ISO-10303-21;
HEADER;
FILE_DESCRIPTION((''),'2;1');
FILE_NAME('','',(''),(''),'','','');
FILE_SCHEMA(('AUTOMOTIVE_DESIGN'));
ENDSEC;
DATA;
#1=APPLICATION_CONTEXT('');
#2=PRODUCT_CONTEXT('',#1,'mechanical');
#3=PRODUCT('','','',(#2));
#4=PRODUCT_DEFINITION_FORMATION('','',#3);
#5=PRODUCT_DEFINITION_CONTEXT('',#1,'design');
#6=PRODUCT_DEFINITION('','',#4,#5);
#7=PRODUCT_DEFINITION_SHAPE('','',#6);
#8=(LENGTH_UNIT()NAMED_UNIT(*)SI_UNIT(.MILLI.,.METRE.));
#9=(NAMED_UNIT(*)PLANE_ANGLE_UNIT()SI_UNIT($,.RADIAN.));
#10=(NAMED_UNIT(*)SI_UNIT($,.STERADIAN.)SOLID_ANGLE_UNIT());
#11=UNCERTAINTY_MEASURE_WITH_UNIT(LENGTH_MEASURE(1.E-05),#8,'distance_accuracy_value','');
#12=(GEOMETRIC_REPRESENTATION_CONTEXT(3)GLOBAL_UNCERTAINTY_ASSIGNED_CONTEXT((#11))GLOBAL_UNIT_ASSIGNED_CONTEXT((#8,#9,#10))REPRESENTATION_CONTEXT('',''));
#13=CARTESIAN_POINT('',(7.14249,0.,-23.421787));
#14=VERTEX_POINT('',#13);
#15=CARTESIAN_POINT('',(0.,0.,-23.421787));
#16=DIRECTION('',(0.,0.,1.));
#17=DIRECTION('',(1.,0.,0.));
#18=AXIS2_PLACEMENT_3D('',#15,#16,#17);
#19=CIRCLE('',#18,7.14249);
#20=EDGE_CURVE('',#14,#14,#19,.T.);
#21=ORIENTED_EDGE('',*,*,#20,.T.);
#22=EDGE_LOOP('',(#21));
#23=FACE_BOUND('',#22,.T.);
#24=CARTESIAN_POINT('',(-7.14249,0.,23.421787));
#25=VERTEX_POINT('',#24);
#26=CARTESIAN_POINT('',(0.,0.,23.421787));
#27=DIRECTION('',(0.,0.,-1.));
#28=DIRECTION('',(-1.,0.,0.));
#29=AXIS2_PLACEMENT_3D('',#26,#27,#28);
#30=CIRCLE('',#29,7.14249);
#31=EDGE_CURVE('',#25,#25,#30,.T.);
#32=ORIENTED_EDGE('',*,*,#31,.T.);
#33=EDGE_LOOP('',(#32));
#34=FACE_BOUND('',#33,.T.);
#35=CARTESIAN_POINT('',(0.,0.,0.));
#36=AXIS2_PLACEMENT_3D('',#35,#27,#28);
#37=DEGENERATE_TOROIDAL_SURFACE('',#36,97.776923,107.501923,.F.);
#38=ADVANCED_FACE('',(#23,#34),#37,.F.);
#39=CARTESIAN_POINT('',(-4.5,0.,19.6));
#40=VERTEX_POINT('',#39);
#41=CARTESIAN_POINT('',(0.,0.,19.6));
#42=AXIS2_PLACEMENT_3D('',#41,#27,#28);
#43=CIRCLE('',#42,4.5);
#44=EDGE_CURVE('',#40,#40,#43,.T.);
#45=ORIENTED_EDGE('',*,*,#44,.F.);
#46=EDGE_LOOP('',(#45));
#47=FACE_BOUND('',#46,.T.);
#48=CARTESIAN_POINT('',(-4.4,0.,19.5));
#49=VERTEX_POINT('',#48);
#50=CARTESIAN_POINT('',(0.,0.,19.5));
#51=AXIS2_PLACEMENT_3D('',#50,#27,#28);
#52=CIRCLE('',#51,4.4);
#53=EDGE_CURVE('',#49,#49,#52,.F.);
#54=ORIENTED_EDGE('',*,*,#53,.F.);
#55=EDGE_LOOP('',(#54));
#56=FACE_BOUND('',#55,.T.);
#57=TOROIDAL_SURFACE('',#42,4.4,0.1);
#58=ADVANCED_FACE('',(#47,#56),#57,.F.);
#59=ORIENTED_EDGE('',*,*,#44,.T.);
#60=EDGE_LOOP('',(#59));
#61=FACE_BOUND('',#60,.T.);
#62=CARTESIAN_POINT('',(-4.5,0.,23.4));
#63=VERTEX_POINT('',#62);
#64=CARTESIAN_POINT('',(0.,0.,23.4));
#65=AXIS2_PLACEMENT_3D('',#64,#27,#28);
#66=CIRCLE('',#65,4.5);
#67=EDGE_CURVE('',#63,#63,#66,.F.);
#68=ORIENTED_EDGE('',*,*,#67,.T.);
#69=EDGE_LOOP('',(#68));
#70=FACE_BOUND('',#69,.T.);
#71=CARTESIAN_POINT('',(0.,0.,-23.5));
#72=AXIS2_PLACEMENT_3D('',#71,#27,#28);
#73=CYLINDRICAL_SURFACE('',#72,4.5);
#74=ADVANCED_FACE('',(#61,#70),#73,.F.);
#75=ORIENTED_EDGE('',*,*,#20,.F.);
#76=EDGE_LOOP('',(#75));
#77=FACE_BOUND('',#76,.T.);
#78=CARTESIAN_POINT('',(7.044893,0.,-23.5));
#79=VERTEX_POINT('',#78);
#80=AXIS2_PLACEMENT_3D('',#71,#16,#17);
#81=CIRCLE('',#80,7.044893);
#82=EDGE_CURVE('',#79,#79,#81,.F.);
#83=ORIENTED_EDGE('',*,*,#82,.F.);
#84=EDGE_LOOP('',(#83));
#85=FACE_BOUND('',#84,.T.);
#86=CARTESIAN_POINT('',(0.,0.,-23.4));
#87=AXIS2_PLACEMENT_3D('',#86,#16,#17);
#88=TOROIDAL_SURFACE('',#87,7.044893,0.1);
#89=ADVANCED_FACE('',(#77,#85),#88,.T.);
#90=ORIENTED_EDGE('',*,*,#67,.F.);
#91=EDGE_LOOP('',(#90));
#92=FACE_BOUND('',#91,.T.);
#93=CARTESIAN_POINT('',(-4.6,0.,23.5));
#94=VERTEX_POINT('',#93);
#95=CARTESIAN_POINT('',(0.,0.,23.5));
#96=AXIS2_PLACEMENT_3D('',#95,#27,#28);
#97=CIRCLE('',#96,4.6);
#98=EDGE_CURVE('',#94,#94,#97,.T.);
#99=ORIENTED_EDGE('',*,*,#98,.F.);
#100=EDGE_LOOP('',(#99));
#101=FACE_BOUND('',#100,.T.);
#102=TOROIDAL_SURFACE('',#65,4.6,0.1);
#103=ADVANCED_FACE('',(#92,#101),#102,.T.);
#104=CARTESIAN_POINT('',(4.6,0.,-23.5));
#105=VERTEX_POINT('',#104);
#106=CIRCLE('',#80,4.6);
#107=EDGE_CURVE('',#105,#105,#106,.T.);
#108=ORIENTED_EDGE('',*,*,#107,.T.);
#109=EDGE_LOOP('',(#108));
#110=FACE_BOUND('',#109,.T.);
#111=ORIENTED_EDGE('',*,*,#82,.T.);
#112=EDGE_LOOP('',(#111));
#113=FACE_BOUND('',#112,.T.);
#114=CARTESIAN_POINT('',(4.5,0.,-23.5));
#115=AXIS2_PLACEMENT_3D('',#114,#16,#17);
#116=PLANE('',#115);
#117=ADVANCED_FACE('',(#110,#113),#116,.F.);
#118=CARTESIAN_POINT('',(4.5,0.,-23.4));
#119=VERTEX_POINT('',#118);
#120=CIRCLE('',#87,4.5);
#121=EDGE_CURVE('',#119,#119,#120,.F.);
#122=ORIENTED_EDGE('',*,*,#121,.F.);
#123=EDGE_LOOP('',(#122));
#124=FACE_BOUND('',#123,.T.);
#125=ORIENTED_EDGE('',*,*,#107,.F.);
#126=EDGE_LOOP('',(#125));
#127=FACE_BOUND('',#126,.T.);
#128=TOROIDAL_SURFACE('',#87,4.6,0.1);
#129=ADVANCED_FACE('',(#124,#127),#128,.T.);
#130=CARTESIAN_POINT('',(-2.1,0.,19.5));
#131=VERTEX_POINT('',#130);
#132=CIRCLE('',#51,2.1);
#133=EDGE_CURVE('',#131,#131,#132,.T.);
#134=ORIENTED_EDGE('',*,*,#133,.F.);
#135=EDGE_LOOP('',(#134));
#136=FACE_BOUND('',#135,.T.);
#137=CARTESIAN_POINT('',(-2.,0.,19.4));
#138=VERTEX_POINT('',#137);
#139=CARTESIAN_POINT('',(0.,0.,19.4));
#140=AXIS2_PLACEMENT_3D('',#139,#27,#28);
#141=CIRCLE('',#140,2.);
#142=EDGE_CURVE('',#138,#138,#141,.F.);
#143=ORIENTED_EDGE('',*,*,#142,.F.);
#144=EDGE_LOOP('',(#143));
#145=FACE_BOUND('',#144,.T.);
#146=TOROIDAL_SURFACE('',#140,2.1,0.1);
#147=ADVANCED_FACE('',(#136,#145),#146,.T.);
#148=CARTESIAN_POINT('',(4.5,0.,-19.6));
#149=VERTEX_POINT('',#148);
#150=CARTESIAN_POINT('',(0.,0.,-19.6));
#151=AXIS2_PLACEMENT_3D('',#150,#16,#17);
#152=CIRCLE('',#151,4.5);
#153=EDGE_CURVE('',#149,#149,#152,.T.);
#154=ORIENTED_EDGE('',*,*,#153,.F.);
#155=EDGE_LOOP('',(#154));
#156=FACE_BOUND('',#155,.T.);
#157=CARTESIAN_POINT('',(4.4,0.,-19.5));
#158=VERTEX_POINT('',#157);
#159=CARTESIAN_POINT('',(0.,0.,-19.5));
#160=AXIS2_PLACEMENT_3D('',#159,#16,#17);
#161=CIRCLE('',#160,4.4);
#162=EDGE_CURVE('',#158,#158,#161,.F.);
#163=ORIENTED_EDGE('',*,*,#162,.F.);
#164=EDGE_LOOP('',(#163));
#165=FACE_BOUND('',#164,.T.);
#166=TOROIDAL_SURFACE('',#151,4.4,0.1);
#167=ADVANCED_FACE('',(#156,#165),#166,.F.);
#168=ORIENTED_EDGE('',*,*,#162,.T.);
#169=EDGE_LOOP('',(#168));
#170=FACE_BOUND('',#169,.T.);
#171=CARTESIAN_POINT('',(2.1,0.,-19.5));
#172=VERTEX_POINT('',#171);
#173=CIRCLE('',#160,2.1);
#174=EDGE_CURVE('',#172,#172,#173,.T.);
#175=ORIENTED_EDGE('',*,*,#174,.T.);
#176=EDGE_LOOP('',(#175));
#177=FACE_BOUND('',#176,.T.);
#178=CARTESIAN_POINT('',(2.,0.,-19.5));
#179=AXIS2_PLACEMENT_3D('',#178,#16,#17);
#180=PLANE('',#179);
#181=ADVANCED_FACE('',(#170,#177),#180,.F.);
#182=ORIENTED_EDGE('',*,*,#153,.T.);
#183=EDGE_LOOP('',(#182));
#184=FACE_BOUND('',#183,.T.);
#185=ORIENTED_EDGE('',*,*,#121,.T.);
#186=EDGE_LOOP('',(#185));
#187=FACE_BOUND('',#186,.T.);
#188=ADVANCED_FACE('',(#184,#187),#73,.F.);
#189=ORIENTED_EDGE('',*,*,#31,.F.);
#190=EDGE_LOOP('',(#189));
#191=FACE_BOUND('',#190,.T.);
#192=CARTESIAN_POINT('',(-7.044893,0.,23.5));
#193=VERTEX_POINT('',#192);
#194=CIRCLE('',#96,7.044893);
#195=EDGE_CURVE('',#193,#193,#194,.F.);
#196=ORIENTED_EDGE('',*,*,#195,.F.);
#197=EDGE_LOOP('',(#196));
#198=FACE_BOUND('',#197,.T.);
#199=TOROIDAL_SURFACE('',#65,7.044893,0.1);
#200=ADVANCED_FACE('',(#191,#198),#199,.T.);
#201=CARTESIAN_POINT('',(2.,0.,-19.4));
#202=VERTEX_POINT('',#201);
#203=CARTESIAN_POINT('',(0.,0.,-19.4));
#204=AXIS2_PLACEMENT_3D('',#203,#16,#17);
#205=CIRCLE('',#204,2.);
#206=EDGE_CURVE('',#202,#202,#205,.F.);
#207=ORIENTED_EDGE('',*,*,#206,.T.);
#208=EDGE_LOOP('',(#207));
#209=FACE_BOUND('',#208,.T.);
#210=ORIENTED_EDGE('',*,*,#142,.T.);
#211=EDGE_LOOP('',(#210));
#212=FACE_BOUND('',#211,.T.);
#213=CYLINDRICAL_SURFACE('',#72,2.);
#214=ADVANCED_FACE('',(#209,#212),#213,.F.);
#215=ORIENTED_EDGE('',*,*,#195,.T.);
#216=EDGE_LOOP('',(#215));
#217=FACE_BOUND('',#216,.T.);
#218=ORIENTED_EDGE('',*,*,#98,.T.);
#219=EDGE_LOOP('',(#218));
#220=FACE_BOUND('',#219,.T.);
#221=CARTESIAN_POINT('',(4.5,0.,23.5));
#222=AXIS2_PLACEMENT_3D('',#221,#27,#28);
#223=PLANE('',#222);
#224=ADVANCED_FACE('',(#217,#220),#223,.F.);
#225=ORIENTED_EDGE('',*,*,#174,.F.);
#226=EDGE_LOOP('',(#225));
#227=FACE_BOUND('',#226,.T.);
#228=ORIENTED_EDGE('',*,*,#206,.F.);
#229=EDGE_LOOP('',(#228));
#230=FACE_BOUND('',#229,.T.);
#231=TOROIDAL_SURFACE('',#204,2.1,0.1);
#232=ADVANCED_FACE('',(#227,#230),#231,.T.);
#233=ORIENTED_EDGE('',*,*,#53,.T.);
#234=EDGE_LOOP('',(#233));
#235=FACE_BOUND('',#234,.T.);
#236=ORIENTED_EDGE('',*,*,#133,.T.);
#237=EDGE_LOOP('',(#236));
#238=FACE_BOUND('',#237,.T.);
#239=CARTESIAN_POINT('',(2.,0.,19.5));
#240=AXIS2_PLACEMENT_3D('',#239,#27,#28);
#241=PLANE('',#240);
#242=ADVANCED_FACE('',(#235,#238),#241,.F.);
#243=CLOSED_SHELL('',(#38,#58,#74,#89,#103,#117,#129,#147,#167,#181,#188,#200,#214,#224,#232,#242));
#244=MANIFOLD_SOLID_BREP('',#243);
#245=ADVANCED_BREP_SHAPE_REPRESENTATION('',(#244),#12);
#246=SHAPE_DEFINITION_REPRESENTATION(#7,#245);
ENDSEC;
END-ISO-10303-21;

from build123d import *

# Parameters (mm, degrees)
FILLET1_R = 0.1


with BuildPart() as part:
    # Sketch1 → Revolve1 (revolve)
    with BuildSketch(Plane(origin=(0, 0, 0), x_dir=(1, 0, 0), z_dir=(0, 1, 0)), mode=Mode.PRIVATE) as revolve1_sk:
        with BuildLine():
            Line((2, 19.5), (2, -19.5))
            Line((2, -19.5), (4.5, -19.5))
            Line((4.5, -19.5), (4.5, -23.5))
            Line((4.5, -23.5), (7.125, -23.5))
            ThreePointArc((7.125, -23.5), (9.725, 0), (7.125, 23.5))
            Line((7.125, 23.5), (4.5, 23.5))
            Line((4.5, 23.5), (4.5, 19.5))
            Line((4.5, 19.5), (2, 19.5))
        make_face()
    revolve(revolve1_sk.sketch.rotate(Axis((0, 0, -23.5), (0, 0, 1)), 180), axis=Axis((0, 0, -23.5), (0, 0, 1)))

    # Fillet1
    fillet1_edges = [part.edges().sort_by_distance(p)[0] for p in [
        (4.5, 0, -19.5),
        (2, 0, -19.5),
        (2, 0, 19.5),
        (4.5, 0, 19.5),
        (4.5, 0, 23.5),
        (7.125, 0, 23.5),
        (7.125, 0, -23.5),
        (4.5, 0, -23.5),
    ]]
    fillet(fillet1_edges, radius=FILLET1_R)


solid = part.part
